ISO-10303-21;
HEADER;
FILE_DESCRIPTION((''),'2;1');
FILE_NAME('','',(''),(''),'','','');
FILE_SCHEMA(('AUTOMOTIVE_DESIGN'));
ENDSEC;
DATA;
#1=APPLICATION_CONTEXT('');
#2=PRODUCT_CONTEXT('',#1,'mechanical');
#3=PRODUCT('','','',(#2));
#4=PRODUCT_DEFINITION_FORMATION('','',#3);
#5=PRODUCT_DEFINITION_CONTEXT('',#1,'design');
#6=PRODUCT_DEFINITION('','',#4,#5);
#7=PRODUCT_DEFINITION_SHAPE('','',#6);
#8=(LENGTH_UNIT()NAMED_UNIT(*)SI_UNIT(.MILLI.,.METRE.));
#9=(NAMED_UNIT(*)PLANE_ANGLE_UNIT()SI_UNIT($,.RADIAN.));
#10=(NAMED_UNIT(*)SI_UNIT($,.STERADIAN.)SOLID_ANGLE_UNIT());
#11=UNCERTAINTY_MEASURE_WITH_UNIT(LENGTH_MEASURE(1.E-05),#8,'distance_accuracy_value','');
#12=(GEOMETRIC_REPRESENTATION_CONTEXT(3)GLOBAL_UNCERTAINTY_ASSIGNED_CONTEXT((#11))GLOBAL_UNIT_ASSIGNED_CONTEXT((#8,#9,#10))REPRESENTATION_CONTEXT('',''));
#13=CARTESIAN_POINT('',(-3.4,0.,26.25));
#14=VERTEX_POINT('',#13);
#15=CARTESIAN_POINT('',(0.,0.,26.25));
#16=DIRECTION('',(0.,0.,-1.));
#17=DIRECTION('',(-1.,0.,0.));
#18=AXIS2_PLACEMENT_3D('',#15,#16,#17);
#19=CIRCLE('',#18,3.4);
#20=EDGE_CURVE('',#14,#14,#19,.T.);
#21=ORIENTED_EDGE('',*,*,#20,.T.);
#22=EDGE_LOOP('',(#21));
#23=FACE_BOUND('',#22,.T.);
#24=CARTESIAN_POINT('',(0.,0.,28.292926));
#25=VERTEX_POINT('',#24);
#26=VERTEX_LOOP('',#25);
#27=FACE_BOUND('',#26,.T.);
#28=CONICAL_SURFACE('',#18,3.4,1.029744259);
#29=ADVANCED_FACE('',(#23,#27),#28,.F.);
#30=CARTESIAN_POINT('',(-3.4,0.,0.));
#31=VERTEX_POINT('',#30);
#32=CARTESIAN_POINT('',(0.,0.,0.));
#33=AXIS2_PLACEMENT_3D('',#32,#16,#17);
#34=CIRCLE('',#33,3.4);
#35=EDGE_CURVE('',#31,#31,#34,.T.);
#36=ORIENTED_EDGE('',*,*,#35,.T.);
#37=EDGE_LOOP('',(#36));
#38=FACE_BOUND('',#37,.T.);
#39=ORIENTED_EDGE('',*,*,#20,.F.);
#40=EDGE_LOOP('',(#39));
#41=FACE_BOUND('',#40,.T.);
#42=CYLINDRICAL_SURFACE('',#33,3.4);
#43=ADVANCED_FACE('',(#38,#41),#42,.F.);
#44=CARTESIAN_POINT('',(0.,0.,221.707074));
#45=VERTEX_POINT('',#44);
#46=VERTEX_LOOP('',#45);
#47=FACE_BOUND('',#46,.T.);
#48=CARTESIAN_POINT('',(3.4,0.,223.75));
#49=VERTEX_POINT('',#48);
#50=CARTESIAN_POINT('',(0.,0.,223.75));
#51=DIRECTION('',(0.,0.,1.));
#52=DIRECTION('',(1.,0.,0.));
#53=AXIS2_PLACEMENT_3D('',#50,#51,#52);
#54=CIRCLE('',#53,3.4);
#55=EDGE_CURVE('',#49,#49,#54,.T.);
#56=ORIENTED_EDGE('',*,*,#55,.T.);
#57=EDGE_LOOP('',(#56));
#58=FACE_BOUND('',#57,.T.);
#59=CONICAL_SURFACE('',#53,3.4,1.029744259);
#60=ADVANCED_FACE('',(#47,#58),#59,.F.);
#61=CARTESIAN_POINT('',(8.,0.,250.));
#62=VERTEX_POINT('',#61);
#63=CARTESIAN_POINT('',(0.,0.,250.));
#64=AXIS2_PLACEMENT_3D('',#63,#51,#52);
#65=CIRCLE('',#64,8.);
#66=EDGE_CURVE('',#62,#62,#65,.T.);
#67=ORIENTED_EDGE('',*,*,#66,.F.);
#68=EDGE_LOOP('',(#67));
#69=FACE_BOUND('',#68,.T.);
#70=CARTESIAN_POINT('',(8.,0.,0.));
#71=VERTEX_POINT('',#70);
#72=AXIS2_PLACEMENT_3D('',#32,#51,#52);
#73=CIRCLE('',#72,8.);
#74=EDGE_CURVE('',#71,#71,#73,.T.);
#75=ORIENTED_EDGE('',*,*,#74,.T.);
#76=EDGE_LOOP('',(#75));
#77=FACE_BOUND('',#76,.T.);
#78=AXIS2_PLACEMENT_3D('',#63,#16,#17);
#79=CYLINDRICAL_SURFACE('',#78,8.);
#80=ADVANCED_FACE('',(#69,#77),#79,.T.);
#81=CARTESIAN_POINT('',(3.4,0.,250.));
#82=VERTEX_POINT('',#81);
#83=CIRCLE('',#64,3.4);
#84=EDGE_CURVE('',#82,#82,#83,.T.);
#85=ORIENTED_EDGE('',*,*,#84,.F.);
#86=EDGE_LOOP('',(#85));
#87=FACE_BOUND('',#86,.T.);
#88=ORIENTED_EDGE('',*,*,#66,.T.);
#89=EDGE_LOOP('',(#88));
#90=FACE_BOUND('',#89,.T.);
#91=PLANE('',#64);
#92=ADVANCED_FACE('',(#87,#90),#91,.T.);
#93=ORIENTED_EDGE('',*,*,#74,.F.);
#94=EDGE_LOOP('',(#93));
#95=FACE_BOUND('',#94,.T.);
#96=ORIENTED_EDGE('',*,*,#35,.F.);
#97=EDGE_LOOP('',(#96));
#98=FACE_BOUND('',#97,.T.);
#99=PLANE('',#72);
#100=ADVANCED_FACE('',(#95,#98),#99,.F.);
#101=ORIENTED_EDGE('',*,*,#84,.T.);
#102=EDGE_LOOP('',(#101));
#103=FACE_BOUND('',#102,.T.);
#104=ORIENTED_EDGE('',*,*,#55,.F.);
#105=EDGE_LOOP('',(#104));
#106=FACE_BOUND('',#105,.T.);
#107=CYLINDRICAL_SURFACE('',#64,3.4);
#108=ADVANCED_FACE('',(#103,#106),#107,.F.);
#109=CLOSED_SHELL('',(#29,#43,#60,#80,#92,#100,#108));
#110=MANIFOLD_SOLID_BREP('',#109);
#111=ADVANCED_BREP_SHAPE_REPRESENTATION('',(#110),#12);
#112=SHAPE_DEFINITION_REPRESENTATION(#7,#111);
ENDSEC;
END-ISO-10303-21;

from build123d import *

# Parameters (mm, degrees)
SKETCH_1_R             = 8
EXTRUDE_1_DEPTH        = 250
HOLE_WIZARD_M8_2_D     = 6.8
HOLE_WIZARD_M8_2_DEPTH = 26.25
HOLE_WIZARD_M8_2_TIP   = 2.042926105


with BuildPart() as part:
    # 草图1 → 凸台-拉伸1 (new body)
    with BuildSketch(Plane.XY):
        Circle(SKETCH_1_R)
    extrude(amount=EXTRUDE_1_DEPTH)

    # 草图5 → M8 螺纹孔1 (revolve, cut)
    with BuildSketch(Plane(origin=(0, 0, 250), x_dir=(0, -1, 0), z_dir=(1, 0, 0))):
        Polygon((0, 0), (0, 28.292926105), (3.4, 26.25), (3.4, 0), align=None)
    revolve(axis=Axis((0, 0, 256.35), (0, 0, -1)), mode=Mode.SUBTRACT)

    # M8 螺纹孔2
    with Locations(Plane(origin=(0, 0, 0), x_dir=(-1, 0, 0), z_dir=(0, 0, -1))):
        with Locations((0, 0)):
            Hole(HOLE_WIZARD_M8_2_D / 2, depth=HOLE_WIZARD_M8_2_DEPTH)
            with Locations((0, 0, -(HOLE_WIZARD_M8_2_DEPTH + HOLE_WIZARD_M8_2_TIP / 2))):  # 118° drill point
                Cone(0, HOLE_WIZARD_M8_2_D / 2, HOLE_WIZARD_M8_2_TIP, mode=Mode.SUBTRACT)


solid = part.part
